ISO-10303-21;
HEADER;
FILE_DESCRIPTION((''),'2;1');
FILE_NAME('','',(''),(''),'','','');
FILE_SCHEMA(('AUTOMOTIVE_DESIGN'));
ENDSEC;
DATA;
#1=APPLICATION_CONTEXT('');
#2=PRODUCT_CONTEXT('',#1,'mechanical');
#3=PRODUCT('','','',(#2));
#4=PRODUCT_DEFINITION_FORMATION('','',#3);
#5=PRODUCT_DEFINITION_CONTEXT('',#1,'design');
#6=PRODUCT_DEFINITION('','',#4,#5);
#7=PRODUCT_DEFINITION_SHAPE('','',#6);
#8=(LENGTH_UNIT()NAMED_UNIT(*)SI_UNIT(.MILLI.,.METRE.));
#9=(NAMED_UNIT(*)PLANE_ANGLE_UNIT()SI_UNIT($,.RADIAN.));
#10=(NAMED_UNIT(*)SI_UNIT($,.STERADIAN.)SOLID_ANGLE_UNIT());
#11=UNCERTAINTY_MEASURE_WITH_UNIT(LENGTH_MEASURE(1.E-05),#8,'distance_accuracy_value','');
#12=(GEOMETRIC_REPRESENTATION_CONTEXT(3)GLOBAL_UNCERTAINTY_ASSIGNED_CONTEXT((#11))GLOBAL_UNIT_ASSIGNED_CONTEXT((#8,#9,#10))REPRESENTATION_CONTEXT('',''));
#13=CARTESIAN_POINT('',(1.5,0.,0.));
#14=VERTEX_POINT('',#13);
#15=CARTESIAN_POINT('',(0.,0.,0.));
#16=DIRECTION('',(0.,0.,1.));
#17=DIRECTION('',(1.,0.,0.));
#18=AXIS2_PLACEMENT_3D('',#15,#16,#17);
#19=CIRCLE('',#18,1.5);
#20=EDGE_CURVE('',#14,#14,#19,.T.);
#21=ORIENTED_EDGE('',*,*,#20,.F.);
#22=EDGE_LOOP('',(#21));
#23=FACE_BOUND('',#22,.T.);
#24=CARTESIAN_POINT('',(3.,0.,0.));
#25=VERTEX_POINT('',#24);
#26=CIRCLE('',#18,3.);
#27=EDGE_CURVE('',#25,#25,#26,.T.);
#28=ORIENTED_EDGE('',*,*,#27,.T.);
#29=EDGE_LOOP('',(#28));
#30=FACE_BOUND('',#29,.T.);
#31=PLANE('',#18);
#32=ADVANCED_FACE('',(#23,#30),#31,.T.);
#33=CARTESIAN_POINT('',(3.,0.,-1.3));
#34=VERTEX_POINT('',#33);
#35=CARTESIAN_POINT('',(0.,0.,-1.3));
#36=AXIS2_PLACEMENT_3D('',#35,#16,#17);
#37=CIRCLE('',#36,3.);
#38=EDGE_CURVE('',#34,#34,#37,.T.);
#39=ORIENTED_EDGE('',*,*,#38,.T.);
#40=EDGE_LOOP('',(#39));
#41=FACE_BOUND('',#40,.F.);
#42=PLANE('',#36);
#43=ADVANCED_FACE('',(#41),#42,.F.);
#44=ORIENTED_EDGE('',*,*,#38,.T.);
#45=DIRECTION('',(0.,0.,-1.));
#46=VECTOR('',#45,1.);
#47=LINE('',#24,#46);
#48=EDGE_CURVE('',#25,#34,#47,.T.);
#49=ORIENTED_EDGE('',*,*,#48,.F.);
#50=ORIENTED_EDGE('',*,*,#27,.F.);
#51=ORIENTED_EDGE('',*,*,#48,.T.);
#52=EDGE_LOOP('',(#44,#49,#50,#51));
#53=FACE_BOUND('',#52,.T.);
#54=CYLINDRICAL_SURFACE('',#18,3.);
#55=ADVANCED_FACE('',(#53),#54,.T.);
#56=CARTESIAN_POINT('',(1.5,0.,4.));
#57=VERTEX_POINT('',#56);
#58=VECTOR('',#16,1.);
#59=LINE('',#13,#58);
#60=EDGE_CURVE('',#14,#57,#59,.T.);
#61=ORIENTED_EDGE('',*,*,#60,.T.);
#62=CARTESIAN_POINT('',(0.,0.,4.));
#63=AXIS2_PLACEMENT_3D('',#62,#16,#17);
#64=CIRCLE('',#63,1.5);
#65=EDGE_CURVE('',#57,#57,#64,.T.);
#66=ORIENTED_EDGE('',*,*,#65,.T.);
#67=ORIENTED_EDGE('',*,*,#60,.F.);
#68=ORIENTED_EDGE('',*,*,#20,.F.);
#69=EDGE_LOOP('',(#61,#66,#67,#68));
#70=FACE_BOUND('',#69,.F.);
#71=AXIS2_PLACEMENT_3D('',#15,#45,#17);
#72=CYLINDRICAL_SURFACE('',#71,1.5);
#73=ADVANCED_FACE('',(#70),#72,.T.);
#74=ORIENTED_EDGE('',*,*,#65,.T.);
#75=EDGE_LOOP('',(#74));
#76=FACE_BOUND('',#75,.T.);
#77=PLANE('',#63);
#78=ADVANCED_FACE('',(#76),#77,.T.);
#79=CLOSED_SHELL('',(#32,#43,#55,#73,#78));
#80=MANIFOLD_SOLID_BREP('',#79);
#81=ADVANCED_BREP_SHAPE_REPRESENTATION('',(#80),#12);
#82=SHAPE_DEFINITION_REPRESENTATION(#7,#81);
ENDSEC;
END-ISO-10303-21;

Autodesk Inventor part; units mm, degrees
ref_plane "YZ Plane" through (0, 0, 0) normal (1, 0, 0) x (0, 1, 0)
ref_plane "XZ Plane" through (0, 0, 0) normal (0, 1, 0) x (-1, 0, 0)
ref_plane "XY Plane" through (0, 0, 0) normal (0, 0, 1) x (1, 0, 0)
sketch "スケッチ1" plane through (0, 0, 0) normal (0, 0, 1) x (1, 0, 0)
  circle A0 centre (0, 0) radius 3
  circle A1 centre (0, 0) radius 1.5
  dimension "d0" = 6
  dimension "d1" = 3
extrude "押し出し1" add sketch "スケッチ1" along normal blind 4 contours A1
extrude "押し出し2" add sketch "スケッチ1" against normal blind 1.3 contours A0 | A1
properties part number "低頭ねじ　m3　t=1.3　l=4" material "鋼"
